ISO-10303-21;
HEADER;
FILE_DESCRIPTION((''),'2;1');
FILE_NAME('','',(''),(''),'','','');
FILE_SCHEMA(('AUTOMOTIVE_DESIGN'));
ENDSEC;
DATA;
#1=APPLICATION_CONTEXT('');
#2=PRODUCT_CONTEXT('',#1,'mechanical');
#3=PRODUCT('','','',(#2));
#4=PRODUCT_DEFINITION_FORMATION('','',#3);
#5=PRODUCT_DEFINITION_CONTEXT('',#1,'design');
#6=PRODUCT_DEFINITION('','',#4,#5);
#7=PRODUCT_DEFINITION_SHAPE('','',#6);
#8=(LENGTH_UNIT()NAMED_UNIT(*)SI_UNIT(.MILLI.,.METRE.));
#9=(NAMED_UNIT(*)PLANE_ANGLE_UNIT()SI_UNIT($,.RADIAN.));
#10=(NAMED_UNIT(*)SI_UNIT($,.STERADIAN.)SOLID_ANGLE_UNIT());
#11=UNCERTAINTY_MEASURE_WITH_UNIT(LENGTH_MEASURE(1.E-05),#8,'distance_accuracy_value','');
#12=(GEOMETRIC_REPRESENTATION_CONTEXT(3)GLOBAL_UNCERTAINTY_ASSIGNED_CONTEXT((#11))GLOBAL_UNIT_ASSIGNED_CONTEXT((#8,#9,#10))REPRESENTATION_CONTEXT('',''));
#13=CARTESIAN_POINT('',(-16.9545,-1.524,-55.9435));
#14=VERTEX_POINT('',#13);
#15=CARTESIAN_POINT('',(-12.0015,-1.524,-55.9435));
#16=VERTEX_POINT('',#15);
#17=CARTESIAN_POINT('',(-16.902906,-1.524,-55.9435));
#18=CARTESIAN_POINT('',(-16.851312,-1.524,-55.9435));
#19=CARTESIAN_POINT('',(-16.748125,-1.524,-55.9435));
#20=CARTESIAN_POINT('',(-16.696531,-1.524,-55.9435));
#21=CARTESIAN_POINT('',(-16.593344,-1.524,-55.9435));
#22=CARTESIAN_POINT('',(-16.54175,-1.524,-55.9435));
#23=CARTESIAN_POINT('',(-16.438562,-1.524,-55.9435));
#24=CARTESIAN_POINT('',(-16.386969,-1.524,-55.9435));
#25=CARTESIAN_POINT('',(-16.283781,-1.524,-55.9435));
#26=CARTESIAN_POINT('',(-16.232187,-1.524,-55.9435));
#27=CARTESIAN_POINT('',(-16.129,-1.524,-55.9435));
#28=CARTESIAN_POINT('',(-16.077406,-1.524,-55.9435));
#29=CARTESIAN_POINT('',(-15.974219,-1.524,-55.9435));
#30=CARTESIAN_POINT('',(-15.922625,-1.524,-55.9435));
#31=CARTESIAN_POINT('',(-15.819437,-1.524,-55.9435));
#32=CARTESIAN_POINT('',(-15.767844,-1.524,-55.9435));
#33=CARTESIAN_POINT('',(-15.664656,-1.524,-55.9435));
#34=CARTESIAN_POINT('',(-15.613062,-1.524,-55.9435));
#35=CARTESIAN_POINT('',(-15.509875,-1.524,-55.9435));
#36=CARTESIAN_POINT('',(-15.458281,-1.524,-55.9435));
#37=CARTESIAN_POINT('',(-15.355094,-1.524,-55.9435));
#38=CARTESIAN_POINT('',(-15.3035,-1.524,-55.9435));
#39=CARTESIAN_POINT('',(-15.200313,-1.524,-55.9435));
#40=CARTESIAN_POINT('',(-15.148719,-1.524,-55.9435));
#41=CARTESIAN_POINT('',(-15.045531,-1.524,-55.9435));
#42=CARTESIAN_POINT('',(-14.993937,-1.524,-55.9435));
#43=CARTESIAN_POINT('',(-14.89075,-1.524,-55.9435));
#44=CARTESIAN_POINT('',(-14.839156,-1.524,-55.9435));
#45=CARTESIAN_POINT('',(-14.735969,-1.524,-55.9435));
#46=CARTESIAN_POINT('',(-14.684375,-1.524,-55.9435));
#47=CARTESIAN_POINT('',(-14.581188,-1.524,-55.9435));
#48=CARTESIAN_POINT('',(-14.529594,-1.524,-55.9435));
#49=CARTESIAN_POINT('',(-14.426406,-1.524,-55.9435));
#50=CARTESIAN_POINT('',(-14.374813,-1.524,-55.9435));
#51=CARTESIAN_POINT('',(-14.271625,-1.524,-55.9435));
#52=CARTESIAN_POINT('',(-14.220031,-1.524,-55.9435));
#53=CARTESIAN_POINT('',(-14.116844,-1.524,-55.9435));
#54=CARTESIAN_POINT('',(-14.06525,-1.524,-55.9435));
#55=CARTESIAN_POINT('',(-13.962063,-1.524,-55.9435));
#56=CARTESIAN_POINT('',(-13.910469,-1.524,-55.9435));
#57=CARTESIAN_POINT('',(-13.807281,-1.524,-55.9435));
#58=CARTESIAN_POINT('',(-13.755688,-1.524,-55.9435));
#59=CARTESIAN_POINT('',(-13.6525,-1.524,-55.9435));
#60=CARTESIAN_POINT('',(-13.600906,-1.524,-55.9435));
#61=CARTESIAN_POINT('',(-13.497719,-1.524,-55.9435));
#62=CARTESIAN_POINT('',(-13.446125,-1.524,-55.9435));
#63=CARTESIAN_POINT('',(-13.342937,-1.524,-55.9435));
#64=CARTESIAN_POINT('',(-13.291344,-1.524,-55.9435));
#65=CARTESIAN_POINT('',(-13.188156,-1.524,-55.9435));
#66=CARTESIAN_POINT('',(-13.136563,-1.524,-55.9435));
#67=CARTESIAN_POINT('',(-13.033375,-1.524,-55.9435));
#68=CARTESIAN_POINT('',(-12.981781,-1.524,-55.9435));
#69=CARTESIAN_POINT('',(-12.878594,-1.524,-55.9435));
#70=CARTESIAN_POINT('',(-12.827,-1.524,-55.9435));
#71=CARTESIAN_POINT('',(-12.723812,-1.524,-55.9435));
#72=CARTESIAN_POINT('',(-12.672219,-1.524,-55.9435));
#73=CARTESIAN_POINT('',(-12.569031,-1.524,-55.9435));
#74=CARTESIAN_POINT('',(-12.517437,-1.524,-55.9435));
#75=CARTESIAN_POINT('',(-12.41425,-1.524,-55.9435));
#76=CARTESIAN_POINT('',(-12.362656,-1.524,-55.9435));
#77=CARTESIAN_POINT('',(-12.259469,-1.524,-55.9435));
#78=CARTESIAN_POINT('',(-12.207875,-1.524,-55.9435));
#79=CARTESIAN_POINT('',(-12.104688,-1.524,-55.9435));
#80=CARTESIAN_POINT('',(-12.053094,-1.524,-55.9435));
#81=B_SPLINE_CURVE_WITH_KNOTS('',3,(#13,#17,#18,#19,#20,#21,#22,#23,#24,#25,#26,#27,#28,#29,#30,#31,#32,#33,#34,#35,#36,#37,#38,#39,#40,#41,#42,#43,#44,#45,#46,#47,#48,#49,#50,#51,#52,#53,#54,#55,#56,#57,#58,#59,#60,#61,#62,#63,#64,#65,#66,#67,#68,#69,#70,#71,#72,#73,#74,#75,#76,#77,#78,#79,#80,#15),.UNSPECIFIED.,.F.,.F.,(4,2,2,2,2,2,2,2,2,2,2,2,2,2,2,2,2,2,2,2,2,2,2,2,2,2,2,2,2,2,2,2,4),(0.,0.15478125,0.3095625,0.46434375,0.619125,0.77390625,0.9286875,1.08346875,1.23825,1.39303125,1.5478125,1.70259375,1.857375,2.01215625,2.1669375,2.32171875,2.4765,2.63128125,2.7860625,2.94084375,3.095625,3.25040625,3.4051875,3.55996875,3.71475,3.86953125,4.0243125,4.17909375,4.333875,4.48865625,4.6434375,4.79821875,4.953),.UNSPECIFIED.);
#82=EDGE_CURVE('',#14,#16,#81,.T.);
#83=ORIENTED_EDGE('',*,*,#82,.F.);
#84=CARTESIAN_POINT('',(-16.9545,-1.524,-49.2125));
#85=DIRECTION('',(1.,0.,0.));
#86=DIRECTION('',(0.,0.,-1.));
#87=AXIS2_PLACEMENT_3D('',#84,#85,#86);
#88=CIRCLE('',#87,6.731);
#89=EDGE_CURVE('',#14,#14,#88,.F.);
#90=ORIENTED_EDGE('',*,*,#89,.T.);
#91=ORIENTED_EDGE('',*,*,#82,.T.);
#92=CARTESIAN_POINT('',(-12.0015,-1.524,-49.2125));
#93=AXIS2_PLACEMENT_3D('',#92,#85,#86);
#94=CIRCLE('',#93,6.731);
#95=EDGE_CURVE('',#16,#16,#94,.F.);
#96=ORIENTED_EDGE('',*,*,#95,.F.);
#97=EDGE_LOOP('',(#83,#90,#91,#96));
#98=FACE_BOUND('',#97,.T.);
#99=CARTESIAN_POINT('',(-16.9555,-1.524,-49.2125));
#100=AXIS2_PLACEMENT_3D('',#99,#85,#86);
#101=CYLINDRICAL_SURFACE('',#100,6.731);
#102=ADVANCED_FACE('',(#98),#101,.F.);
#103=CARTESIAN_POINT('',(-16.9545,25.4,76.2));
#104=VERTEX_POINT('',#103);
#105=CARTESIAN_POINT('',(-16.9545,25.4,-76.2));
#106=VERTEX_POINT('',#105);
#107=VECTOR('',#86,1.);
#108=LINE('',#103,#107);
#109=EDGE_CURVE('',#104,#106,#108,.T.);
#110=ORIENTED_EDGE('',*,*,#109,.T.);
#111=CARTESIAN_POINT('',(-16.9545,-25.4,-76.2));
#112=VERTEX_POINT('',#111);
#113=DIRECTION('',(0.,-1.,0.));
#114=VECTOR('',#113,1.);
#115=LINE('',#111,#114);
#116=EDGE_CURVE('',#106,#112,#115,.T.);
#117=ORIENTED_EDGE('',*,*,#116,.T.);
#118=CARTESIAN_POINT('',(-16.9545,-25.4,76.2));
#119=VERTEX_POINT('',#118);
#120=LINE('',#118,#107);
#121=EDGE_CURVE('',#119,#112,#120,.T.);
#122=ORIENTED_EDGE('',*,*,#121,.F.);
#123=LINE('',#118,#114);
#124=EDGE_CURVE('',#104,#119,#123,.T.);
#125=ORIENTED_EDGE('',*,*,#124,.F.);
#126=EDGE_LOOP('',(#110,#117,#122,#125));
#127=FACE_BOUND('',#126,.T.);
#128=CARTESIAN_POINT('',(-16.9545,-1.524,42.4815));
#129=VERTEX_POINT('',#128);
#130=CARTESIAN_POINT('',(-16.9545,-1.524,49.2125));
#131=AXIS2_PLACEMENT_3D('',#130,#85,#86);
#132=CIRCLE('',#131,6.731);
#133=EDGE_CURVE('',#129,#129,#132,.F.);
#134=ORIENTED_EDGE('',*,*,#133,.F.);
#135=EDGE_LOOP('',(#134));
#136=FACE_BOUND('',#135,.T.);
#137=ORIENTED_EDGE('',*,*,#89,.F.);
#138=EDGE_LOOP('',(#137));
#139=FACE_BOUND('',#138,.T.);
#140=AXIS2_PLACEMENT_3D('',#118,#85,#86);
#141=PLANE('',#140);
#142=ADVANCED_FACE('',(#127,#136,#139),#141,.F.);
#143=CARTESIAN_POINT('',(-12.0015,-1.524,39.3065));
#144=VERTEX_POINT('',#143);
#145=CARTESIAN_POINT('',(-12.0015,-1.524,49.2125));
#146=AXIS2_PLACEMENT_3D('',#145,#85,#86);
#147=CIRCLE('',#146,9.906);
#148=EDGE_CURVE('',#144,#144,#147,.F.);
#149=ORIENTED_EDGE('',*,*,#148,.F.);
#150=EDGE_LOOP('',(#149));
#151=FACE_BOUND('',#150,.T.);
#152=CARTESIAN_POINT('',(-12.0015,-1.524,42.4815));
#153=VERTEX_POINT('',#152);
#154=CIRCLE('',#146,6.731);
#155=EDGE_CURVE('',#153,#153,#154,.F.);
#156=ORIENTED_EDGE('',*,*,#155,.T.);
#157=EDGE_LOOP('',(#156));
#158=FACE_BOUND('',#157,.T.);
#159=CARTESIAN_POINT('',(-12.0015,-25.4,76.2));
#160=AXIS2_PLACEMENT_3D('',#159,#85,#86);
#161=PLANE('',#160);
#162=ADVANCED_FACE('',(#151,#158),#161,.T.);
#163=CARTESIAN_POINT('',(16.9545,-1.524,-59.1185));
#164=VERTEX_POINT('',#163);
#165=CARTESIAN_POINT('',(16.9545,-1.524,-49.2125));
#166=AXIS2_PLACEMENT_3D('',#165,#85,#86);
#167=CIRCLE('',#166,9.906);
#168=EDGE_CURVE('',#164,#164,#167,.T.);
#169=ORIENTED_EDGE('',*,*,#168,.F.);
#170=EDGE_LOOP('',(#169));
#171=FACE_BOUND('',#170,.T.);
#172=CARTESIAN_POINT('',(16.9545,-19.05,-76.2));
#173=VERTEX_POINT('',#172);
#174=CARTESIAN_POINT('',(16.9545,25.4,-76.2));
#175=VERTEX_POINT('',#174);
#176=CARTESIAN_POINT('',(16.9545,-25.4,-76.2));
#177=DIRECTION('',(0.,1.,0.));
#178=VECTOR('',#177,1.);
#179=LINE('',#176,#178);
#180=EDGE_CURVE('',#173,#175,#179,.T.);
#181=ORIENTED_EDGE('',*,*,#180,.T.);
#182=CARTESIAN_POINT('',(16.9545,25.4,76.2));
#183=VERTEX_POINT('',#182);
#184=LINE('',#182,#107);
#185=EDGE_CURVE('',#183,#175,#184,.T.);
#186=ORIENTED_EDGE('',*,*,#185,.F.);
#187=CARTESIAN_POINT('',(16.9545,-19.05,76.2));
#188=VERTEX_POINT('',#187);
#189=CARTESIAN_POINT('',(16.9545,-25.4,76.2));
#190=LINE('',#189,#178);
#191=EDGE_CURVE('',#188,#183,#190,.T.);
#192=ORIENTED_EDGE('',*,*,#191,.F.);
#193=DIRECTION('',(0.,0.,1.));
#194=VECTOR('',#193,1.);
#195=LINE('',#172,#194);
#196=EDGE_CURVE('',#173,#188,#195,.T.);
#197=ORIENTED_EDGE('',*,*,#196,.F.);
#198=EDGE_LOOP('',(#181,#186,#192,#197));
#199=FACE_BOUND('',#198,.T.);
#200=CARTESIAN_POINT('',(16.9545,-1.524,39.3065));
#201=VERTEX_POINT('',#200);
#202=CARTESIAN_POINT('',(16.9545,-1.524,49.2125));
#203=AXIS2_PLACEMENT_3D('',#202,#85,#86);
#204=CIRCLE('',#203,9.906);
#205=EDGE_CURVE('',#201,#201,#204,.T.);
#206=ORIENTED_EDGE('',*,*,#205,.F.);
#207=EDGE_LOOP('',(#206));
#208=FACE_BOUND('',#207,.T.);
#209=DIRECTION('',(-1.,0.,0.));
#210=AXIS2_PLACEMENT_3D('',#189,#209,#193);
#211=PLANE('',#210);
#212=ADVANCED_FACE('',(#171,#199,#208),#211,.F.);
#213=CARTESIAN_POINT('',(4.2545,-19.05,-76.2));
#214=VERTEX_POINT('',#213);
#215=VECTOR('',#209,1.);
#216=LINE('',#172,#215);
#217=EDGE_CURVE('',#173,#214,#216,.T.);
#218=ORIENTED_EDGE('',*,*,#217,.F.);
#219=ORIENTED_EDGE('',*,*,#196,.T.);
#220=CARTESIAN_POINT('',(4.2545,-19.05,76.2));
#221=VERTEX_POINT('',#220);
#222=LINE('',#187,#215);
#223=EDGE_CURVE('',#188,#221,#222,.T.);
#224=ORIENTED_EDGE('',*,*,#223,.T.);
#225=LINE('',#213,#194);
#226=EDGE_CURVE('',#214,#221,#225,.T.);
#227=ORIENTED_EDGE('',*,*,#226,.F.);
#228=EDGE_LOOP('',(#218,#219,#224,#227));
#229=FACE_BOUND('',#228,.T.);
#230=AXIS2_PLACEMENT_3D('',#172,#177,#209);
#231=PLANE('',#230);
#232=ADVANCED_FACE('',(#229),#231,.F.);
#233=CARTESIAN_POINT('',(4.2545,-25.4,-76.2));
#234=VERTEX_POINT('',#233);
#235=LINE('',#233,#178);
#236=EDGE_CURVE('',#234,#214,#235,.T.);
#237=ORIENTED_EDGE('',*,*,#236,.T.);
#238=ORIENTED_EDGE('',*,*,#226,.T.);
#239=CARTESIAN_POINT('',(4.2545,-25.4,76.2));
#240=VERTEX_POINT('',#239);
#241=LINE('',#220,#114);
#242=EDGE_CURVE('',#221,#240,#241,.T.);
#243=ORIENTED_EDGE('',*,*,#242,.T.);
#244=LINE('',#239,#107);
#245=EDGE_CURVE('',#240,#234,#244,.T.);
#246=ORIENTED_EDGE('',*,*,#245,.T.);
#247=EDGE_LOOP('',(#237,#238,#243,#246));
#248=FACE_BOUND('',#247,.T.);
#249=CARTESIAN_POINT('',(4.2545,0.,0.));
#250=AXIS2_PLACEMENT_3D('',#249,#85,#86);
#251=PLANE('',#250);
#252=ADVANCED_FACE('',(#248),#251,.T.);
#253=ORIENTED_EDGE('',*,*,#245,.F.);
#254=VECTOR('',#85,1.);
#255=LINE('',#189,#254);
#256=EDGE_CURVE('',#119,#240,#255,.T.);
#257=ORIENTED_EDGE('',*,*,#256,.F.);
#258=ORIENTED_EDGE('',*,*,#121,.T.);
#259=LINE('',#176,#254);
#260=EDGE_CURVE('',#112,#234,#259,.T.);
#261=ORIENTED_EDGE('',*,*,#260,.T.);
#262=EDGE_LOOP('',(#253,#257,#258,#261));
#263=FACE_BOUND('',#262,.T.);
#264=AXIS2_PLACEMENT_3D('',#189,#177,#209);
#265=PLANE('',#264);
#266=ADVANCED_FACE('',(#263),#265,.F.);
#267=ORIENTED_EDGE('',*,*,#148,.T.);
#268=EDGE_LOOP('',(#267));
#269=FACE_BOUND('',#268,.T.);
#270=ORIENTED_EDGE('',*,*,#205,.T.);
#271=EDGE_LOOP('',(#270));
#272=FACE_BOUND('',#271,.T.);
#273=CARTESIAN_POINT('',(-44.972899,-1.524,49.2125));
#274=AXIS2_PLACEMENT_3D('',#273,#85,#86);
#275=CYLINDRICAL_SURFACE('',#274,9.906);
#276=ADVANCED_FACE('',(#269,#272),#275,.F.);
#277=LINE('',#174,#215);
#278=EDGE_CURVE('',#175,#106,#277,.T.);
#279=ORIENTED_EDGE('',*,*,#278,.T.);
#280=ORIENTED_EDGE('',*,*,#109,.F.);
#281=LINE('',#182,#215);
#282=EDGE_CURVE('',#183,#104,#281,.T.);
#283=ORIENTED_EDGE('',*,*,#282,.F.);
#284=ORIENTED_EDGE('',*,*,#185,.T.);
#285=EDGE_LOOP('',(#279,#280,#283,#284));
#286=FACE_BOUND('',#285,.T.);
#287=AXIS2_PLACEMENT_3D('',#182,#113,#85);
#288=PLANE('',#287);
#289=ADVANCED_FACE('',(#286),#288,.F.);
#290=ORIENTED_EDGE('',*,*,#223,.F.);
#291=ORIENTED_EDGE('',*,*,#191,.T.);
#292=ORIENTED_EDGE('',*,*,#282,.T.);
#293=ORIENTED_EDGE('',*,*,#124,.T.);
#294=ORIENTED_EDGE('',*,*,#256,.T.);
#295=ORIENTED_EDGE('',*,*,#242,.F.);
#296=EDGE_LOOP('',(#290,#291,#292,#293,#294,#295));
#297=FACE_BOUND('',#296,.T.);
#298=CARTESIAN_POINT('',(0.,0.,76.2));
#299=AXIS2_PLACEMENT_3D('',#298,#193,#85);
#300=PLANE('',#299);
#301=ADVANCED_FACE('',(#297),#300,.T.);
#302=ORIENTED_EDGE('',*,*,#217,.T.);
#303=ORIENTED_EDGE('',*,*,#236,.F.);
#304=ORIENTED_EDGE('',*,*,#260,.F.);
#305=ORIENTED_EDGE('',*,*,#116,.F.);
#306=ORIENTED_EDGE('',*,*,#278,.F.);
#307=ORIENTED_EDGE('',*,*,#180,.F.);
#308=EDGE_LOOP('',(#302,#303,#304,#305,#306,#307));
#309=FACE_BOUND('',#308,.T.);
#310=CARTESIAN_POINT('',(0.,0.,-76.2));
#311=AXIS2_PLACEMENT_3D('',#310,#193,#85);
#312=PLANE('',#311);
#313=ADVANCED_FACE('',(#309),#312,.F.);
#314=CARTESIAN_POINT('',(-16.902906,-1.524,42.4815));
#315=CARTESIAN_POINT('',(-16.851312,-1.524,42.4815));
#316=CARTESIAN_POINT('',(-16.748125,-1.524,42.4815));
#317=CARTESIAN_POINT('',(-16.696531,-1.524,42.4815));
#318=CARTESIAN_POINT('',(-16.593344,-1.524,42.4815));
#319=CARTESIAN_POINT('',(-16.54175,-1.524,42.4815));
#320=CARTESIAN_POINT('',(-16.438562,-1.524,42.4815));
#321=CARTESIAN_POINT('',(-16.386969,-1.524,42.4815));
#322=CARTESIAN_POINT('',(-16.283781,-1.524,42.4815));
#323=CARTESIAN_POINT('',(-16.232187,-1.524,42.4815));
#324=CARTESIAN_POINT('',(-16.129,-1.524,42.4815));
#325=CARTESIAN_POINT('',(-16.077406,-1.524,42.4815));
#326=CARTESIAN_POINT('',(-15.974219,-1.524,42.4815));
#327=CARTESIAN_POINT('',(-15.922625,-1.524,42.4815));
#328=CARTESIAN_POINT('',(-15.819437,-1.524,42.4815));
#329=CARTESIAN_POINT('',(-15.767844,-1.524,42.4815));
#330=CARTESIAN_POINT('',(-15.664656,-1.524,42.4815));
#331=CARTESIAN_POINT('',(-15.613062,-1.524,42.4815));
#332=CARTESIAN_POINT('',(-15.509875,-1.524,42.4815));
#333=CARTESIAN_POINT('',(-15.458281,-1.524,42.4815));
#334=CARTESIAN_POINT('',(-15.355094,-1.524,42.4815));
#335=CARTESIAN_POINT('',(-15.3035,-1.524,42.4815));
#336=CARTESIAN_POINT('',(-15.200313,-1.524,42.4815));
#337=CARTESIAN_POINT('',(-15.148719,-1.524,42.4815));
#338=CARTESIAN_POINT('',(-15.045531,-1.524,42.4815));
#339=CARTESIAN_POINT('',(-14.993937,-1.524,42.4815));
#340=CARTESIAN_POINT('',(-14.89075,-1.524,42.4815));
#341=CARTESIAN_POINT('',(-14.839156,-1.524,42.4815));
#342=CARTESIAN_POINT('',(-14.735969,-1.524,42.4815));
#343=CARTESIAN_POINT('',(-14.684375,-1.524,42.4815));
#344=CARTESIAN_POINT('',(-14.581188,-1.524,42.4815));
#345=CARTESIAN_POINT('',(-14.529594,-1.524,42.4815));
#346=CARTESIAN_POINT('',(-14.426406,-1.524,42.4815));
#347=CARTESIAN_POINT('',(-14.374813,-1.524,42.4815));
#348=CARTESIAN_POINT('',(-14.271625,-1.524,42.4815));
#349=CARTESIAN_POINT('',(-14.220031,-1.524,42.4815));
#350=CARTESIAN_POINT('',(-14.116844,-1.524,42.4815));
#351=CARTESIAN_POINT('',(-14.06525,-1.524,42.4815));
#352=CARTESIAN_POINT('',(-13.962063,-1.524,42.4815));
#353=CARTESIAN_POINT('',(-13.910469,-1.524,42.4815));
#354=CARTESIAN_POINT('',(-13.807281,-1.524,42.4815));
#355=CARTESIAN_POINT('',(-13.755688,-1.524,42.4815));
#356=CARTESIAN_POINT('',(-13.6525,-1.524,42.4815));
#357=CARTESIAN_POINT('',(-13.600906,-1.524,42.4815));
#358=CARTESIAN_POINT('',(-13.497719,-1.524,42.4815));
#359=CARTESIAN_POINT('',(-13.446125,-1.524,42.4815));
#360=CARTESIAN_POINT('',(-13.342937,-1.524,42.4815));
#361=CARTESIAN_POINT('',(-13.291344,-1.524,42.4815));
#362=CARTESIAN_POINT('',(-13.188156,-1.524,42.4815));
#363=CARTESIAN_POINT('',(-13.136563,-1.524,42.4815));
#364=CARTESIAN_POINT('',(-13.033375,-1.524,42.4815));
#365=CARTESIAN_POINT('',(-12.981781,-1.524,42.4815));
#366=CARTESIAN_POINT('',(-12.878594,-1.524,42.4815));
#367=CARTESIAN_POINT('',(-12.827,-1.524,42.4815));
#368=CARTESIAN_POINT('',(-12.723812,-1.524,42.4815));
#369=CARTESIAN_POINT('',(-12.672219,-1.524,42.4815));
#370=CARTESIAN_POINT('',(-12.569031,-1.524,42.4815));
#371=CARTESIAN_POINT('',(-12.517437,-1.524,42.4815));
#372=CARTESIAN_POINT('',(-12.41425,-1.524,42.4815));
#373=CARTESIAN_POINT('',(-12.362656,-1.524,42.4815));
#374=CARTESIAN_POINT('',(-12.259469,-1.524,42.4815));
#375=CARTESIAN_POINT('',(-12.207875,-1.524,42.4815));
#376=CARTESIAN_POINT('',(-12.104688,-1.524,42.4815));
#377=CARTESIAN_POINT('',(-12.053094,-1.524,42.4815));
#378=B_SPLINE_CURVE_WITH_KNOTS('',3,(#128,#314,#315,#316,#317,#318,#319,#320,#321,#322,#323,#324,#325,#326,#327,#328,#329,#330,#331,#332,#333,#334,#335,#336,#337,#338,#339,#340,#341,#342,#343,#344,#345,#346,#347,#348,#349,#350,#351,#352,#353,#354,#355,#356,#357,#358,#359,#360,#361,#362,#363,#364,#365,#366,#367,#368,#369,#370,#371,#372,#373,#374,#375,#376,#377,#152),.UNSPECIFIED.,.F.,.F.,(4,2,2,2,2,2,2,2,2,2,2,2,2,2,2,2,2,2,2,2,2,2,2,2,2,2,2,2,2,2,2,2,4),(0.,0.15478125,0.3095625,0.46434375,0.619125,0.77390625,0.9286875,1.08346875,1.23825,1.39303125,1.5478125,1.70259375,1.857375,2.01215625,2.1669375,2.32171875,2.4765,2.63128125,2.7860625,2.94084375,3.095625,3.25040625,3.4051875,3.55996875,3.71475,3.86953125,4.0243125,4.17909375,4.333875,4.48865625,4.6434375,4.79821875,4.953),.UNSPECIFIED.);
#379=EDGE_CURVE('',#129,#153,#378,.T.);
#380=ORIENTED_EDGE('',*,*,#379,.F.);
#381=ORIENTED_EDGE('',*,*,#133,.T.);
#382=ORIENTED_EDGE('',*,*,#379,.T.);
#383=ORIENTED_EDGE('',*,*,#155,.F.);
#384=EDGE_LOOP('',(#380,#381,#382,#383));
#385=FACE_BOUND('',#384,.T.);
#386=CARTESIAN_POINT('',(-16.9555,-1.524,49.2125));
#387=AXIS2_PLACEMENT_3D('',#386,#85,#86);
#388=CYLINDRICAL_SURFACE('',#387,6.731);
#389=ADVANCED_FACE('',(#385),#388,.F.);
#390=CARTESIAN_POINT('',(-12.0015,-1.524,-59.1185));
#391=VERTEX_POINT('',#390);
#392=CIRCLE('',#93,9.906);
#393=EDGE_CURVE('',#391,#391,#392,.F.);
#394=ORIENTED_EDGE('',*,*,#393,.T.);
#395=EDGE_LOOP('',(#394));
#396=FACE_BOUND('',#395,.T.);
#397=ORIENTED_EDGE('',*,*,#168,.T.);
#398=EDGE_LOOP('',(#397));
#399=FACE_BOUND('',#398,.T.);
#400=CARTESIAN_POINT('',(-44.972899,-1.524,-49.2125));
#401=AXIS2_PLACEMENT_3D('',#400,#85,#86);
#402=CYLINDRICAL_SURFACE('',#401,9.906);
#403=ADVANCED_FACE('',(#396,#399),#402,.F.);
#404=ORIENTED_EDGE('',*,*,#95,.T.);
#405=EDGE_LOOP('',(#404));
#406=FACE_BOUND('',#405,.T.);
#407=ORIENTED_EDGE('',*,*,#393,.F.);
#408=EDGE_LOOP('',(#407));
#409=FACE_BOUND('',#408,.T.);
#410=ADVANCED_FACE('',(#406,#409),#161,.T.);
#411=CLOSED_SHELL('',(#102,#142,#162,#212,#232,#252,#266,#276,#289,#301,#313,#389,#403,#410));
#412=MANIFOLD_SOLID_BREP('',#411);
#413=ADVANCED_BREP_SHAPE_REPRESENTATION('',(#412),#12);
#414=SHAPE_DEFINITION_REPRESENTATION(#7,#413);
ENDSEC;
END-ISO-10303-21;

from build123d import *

# Parameters (mm, degrees)
SKETCH1_W           = 33.909
SKETCH1_H           = 50.8
BOSS_EXTRUDE1_DEPTH = 76.2
CUT_EXTRUDE1_REACH  = 89.186
SKETCH2_R           = 6.731
SKETCH3_R           = 9.906
CUT_EXTRUDE2_DEPTH  = 28.956
SKETCH4_W           = 4.494494968
SKETCH4_H           = 6.35
CUT_EXTRUDE4_DEPTH  = 156.42964669
SKETCH5_W           = 152.4
SKETCH5_H           = 6.35
CUT_EXTRUDE5_DEPTH  = 12.7


with BuildPart() as part:
    # Sketch1 → Boss-Extrude1 (new, symmetric)
    with BuildSketch(Plane.XY):
        Rectangle(SKETCH1_W, SKETCH1_H)
    extrude(amount=BOSS_EXTRUDE1_DEPTH, both=True)

    # Sketch2 → Cut-Extrude1 (cut, up to next)
    with BuildSketch(Plane(origin=(16.9545, 0, 0), x_dir=(0, 0, -1), z_dir=(1, 0, 0)), mode=Mode.PRIVATE) as cut_extrude1_sk1:
        with Locations((-49.2125, -1.524)):
            Circle(SKETCH2_R)
    cut_extrude1_tool1 = extrude(cut_extrude1_sk1.sketch, amount=-CUT_EXTRUDE1_REACH, mode=Mode.PRIVATE) & part.part
    # Sketch2 → Cut-Extrude1 (cut, up to next)
    with BuildSketch(Plane(origin=(16.9545, 0, 0), x_dir=(0, 0, -1), z_dir=(1, 0, 0)), mode=Mode.PRIVATE) as cut_extrude1_sk2:
        with Locations((49.2125, -1.524)):
            Circle(SKETCH2_R)
    cut_extrude1_tool2 = extrude(cut_extrude1_sk2.sketch, amount=-CUT_EXTRUDE1_REACH, mode=Mode.PRIVATE) & part.part
    add(cut_extrude1_tool1.solids().sort_by_distance((16.9545, -1.524, 49.2125))[0], mode=Mode.SUBTRACT)
    add(cut_extrude1_tool2.solids().sort_by_distance((16.9545, -1.524, -49.2125))[0], mode=Mode.SUBTRACT)

    # Sketch3 → Cut-Extrude2 (cut)
    with BuildSketch(Plane(origin=(16.9545, 0, 0), x_dir=(0, 0, -1), z_dir=(1, 0, 0))):
        with Locations((-49.2125, -1.524)):
            Circle(SKETCH3_R)
        with Locations((49.2125, -1.524)):
            Circle(SKETCH3_R)
    extrude(amount=-CUT_EXTRUDE2_DEPTH, mode=Mode.SUBTRACT)

    # Sketch4 → Cut-Extrude4 (cut, through all)
    with BuildSketch(Plane.XY.offset(76.2)):
        with Locations((14.707252516, -22.225)):
            Rectangle(SKETCH4_W, SKETCH4_H)
    extrude(amount=-CUT_EXTRUDE4_DEPTH, mode=Mode.SUBTRACT)

    # Sketch5 → Cut-Extrude5 (cut)
    with BuildSketch(Plane(origin=(16.9545, 0, 0), x_dir=(0, 0, -1), z_dir=(1, 0, 0))):
        with Locations((0, -22.225)):
            Rectangle(SKETCH5_W, SKETCH5_H)
    extrude(amount=-CUT_EXTRUDE5_DEPTH, mode=Mode.SUBTRACT)


solid = part.part
